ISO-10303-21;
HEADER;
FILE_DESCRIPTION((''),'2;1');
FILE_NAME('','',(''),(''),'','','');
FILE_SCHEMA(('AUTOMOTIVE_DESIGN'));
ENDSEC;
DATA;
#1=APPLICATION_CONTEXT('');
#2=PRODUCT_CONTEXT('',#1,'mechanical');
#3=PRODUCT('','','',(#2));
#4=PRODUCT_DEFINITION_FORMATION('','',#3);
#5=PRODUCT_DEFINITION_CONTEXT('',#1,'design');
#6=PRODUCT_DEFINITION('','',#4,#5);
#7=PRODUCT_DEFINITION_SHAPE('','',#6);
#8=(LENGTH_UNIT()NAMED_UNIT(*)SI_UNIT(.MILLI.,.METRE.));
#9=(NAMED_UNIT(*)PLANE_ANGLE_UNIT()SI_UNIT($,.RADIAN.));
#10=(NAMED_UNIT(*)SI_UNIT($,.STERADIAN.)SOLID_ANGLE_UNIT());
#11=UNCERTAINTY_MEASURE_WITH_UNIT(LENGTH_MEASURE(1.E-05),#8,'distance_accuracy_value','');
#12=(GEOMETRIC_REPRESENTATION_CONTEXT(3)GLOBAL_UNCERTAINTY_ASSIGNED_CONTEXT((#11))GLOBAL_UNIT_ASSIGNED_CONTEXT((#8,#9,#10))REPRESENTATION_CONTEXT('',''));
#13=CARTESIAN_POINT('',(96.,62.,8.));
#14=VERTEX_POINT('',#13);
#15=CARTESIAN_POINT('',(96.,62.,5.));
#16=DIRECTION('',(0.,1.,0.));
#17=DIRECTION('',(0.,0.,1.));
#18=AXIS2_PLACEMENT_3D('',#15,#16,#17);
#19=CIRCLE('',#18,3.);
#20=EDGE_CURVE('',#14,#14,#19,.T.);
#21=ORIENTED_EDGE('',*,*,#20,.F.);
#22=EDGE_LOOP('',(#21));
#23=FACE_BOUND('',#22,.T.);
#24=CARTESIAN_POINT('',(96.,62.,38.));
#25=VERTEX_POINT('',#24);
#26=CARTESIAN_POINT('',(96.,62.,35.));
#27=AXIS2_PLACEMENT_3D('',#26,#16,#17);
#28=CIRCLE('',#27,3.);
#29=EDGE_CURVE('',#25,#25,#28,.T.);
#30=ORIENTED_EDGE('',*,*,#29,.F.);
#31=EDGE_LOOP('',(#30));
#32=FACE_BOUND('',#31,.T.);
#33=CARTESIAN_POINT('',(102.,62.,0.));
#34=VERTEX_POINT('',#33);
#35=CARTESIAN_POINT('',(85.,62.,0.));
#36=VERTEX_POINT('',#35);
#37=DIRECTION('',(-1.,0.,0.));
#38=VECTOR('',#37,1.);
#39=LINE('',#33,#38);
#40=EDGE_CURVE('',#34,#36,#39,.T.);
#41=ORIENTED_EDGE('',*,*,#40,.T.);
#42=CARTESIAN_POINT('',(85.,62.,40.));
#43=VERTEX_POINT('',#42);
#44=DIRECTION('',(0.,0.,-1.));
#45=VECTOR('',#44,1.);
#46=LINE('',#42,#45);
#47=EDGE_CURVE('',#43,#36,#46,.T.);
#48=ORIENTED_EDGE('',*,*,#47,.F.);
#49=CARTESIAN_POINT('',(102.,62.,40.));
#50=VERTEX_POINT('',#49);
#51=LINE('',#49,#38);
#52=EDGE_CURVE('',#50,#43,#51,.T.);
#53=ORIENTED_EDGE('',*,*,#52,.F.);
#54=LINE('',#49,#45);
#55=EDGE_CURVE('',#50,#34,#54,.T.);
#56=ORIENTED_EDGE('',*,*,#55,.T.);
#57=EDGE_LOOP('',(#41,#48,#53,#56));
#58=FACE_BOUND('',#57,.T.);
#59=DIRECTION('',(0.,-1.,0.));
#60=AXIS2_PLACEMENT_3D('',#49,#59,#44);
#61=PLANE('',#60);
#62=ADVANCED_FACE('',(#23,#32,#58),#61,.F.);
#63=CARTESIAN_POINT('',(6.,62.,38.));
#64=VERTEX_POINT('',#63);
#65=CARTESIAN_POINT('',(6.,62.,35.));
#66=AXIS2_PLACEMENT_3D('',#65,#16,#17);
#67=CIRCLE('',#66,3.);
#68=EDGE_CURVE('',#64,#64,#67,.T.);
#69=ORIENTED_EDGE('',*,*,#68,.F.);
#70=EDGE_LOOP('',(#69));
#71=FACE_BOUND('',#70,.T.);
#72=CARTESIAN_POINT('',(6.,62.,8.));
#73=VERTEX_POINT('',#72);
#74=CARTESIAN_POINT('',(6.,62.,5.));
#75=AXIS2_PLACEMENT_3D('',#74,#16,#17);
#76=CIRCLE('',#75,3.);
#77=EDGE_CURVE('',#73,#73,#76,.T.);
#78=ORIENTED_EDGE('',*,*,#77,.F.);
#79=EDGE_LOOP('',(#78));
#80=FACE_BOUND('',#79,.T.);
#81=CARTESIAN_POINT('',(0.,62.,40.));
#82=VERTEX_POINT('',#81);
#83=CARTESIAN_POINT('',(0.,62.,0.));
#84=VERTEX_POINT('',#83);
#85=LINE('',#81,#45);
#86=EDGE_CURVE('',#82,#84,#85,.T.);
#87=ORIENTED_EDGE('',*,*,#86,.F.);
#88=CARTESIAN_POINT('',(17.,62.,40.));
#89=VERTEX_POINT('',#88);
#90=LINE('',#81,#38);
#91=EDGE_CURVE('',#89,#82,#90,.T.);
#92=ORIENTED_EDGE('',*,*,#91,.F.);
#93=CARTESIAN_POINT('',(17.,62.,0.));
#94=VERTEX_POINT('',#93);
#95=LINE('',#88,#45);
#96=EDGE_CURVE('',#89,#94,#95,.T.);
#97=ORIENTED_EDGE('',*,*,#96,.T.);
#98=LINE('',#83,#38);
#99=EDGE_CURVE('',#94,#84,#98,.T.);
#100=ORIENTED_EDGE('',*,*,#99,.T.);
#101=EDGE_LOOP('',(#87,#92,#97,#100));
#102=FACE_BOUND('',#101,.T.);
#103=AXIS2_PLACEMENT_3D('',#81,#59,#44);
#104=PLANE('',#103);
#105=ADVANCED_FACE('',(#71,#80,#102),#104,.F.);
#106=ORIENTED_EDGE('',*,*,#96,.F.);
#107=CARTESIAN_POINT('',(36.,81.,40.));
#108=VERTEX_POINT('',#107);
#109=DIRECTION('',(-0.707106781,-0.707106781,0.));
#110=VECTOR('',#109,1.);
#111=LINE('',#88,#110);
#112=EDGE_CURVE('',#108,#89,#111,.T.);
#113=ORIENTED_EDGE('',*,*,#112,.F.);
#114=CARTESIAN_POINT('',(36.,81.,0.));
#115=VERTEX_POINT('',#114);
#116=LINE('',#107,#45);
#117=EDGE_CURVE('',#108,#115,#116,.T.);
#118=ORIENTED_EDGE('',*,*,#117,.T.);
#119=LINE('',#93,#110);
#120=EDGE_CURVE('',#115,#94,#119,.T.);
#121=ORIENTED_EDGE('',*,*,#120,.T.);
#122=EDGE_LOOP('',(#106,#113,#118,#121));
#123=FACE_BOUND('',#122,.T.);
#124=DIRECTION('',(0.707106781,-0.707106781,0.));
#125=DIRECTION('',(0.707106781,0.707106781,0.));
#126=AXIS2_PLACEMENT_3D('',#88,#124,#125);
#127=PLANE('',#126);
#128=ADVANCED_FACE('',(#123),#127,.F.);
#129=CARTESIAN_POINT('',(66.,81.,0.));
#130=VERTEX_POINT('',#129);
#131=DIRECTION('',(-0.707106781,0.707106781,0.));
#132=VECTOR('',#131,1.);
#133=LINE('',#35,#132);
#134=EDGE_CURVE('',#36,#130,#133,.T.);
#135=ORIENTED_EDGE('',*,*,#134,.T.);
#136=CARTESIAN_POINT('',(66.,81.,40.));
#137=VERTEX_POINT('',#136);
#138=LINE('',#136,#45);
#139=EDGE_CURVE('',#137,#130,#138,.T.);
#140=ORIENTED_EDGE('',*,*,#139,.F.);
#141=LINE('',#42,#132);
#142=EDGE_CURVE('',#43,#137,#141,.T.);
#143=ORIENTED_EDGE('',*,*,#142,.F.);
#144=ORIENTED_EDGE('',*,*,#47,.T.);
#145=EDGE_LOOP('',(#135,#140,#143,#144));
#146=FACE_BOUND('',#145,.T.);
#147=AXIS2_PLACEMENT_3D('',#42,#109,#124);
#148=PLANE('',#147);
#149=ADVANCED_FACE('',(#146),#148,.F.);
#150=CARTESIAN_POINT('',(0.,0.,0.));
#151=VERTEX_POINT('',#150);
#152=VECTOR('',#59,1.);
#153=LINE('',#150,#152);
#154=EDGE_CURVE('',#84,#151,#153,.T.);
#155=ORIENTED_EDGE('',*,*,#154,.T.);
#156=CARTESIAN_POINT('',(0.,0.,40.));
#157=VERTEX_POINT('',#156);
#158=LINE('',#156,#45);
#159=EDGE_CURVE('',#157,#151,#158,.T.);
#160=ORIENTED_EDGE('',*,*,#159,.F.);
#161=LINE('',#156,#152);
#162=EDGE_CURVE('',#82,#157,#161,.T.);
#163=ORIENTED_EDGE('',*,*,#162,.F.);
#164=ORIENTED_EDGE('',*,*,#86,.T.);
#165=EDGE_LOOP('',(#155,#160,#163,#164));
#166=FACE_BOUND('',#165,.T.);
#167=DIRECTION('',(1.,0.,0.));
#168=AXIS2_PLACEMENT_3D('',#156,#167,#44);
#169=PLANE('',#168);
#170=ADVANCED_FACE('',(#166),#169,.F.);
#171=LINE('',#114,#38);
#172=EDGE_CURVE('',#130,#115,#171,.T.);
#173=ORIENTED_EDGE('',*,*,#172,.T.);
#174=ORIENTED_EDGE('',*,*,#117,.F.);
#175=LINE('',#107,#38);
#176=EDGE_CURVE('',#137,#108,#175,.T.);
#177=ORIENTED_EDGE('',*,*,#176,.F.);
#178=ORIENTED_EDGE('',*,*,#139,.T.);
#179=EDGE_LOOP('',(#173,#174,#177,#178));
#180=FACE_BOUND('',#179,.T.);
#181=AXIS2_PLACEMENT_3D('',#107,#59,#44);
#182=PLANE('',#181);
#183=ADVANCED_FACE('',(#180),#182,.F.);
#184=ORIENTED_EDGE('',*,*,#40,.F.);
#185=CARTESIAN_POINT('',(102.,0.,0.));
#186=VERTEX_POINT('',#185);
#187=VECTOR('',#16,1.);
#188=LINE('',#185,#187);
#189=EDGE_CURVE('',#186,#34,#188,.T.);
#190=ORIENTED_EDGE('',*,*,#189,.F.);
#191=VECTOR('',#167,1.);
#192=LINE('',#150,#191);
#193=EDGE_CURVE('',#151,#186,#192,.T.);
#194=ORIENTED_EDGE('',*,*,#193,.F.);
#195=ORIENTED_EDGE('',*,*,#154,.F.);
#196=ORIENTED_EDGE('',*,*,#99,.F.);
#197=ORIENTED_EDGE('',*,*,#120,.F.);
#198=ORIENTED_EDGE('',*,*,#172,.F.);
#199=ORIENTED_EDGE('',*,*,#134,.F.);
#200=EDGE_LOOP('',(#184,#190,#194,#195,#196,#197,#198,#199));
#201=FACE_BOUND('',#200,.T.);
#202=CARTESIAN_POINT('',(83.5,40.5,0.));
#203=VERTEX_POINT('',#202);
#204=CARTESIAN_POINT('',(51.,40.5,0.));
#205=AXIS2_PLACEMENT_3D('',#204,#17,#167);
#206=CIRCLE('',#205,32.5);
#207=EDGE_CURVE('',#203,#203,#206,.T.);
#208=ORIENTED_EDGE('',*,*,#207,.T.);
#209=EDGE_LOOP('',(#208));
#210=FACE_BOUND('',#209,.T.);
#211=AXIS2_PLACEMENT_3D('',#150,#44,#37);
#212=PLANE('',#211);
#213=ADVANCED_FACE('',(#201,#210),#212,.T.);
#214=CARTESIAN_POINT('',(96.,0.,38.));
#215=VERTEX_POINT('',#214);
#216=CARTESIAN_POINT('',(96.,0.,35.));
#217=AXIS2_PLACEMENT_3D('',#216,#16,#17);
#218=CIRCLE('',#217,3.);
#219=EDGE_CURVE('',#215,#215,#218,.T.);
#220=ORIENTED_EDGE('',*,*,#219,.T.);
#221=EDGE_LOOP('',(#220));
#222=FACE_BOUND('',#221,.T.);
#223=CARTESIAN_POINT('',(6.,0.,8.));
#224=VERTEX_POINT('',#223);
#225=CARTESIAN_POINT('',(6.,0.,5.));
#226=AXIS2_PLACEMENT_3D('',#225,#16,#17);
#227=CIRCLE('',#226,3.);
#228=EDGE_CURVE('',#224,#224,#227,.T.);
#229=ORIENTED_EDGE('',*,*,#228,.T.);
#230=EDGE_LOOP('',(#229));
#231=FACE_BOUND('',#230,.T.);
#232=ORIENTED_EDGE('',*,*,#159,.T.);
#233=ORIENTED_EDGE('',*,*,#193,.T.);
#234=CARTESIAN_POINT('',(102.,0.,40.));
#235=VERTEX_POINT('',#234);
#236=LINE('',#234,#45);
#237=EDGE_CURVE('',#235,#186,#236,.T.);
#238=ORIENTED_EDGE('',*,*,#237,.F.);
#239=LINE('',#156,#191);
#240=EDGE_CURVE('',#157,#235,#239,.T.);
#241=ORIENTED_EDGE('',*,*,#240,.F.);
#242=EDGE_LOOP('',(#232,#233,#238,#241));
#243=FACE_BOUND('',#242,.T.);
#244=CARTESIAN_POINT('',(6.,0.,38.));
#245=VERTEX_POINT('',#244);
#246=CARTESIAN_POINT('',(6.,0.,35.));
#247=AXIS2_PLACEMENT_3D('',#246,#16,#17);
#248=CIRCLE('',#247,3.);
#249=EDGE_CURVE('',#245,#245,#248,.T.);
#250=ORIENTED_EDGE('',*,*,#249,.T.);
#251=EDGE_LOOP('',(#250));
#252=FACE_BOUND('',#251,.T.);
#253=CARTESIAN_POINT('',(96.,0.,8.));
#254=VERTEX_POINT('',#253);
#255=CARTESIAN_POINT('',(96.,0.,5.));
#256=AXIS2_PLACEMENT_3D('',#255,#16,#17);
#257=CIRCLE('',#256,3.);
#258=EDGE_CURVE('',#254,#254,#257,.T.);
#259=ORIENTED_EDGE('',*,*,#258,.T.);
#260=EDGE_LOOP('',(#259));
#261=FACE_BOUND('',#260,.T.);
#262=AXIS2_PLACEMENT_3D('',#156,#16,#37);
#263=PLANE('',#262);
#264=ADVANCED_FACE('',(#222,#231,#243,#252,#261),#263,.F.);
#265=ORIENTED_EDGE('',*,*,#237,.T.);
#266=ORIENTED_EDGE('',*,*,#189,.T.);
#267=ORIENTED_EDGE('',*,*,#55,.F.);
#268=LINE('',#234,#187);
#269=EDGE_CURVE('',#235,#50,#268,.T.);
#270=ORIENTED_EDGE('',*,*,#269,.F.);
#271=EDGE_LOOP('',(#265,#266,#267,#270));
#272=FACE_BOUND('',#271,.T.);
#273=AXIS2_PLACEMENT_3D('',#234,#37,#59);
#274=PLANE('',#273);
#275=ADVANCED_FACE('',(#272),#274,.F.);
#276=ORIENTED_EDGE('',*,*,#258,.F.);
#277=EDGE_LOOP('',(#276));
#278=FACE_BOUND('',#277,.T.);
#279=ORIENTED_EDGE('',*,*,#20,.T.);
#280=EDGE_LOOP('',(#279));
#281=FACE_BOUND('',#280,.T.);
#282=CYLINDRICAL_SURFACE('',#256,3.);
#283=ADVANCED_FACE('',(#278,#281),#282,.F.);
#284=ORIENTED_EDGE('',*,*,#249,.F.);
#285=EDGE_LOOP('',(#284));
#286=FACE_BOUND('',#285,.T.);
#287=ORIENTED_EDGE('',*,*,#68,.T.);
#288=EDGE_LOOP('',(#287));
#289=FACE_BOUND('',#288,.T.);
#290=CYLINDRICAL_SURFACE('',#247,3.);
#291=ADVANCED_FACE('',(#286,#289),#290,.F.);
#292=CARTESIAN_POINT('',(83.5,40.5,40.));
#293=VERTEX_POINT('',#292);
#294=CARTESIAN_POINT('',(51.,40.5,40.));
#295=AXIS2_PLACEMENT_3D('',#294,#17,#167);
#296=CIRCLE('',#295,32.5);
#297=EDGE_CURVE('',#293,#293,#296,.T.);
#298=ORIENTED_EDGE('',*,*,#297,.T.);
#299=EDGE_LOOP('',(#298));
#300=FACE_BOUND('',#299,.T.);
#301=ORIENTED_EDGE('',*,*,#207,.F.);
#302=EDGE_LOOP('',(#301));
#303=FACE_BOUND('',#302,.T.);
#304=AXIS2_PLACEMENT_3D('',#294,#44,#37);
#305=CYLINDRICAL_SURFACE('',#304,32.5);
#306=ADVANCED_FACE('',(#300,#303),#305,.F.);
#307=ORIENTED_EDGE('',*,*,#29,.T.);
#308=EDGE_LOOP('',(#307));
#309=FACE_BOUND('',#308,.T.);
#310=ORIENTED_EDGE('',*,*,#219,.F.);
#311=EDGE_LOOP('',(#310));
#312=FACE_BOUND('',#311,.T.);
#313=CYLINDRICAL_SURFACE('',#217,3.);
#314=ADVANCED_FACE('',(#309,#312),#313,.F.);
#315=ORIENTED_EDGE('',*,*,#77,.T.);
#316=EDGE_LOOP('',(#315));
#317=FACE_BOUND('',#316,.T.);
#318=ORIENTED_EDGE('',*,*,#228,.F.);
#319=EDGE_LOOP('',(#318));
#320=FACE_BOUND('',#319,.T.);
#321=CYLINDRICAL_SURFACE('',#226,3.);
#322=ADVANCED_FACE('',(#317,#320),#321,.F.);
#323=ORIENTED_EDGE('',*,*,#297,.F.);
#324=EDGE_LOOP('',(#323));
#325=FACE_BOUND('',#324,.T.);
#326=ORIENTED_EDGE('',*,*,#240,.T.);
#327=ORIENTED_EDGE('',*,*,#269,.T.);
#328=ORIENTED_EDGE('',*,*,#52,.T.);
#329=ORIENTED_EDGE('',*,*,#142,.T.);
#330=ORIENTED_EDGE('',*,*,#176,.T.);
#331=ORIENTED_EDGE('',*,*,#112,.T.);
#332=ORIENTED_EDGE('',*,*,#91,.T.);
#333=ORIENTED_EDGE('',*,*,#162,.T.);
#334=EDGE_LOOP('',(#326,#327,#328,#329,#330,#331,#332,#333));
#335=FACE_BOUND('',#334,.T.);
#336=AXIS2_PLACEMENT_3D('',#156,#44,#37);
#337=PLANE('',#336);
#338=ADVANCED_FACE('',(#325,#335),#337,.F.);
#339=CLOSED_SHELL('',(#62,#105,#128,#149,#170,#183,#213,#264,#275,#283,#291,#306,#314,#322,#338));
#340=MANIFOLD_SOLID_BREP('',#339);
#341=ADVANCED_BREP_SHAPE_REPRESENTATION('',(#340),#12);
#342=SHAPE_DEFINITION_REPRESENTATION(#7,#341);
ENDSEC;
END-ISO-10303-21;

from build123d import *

# Parameters (mm, degrees)
SKETCH1_R           = 32.5
BOSS_EXTRUDE1_DEPTH = 40
SKETCH2_R           = 3
CUT_EXTRUDE1_DEPTH  = 63


with BuildPart() as part:
    # Sketch1 → Boss-Extrude1 (new body)
    with BuildSketch(Plane.XY):
        Polygon((0, 0), (102, 0), (102, 62), (85, 62), (66, 81), (36, 81), (17, 62), (0, 62), align=None)
        with Locations((51, 40.5)):
            Circle(SKETCH1_R, mode=Mode.SUBTRACT)
    extrude(amount=BOSS_EXTRUDE1_DEPTH)

    # Sketch2 → Cut-Extrude1 (cut, through all)
    with BuildSketch(Plane(origin=(0, 62, 0), x_dir=(1, 0, 0), z_dir=(0, 1, 0))):
        with Locations((6, -5)):
            Circle(SKETCH2_R)
        with Locations((6, -35)):
            Circle(SKETCH2_R)
        with Locations((96, -5)):
            Circle(SKETCH2_R)
        with Locations((96, -35)):
            Circle(SKETCH2_R)
    extrude(amount=-CUT_EXTRUDE1_DEPTH, mode=Mode.SUBTRACT)


solid = part.part
